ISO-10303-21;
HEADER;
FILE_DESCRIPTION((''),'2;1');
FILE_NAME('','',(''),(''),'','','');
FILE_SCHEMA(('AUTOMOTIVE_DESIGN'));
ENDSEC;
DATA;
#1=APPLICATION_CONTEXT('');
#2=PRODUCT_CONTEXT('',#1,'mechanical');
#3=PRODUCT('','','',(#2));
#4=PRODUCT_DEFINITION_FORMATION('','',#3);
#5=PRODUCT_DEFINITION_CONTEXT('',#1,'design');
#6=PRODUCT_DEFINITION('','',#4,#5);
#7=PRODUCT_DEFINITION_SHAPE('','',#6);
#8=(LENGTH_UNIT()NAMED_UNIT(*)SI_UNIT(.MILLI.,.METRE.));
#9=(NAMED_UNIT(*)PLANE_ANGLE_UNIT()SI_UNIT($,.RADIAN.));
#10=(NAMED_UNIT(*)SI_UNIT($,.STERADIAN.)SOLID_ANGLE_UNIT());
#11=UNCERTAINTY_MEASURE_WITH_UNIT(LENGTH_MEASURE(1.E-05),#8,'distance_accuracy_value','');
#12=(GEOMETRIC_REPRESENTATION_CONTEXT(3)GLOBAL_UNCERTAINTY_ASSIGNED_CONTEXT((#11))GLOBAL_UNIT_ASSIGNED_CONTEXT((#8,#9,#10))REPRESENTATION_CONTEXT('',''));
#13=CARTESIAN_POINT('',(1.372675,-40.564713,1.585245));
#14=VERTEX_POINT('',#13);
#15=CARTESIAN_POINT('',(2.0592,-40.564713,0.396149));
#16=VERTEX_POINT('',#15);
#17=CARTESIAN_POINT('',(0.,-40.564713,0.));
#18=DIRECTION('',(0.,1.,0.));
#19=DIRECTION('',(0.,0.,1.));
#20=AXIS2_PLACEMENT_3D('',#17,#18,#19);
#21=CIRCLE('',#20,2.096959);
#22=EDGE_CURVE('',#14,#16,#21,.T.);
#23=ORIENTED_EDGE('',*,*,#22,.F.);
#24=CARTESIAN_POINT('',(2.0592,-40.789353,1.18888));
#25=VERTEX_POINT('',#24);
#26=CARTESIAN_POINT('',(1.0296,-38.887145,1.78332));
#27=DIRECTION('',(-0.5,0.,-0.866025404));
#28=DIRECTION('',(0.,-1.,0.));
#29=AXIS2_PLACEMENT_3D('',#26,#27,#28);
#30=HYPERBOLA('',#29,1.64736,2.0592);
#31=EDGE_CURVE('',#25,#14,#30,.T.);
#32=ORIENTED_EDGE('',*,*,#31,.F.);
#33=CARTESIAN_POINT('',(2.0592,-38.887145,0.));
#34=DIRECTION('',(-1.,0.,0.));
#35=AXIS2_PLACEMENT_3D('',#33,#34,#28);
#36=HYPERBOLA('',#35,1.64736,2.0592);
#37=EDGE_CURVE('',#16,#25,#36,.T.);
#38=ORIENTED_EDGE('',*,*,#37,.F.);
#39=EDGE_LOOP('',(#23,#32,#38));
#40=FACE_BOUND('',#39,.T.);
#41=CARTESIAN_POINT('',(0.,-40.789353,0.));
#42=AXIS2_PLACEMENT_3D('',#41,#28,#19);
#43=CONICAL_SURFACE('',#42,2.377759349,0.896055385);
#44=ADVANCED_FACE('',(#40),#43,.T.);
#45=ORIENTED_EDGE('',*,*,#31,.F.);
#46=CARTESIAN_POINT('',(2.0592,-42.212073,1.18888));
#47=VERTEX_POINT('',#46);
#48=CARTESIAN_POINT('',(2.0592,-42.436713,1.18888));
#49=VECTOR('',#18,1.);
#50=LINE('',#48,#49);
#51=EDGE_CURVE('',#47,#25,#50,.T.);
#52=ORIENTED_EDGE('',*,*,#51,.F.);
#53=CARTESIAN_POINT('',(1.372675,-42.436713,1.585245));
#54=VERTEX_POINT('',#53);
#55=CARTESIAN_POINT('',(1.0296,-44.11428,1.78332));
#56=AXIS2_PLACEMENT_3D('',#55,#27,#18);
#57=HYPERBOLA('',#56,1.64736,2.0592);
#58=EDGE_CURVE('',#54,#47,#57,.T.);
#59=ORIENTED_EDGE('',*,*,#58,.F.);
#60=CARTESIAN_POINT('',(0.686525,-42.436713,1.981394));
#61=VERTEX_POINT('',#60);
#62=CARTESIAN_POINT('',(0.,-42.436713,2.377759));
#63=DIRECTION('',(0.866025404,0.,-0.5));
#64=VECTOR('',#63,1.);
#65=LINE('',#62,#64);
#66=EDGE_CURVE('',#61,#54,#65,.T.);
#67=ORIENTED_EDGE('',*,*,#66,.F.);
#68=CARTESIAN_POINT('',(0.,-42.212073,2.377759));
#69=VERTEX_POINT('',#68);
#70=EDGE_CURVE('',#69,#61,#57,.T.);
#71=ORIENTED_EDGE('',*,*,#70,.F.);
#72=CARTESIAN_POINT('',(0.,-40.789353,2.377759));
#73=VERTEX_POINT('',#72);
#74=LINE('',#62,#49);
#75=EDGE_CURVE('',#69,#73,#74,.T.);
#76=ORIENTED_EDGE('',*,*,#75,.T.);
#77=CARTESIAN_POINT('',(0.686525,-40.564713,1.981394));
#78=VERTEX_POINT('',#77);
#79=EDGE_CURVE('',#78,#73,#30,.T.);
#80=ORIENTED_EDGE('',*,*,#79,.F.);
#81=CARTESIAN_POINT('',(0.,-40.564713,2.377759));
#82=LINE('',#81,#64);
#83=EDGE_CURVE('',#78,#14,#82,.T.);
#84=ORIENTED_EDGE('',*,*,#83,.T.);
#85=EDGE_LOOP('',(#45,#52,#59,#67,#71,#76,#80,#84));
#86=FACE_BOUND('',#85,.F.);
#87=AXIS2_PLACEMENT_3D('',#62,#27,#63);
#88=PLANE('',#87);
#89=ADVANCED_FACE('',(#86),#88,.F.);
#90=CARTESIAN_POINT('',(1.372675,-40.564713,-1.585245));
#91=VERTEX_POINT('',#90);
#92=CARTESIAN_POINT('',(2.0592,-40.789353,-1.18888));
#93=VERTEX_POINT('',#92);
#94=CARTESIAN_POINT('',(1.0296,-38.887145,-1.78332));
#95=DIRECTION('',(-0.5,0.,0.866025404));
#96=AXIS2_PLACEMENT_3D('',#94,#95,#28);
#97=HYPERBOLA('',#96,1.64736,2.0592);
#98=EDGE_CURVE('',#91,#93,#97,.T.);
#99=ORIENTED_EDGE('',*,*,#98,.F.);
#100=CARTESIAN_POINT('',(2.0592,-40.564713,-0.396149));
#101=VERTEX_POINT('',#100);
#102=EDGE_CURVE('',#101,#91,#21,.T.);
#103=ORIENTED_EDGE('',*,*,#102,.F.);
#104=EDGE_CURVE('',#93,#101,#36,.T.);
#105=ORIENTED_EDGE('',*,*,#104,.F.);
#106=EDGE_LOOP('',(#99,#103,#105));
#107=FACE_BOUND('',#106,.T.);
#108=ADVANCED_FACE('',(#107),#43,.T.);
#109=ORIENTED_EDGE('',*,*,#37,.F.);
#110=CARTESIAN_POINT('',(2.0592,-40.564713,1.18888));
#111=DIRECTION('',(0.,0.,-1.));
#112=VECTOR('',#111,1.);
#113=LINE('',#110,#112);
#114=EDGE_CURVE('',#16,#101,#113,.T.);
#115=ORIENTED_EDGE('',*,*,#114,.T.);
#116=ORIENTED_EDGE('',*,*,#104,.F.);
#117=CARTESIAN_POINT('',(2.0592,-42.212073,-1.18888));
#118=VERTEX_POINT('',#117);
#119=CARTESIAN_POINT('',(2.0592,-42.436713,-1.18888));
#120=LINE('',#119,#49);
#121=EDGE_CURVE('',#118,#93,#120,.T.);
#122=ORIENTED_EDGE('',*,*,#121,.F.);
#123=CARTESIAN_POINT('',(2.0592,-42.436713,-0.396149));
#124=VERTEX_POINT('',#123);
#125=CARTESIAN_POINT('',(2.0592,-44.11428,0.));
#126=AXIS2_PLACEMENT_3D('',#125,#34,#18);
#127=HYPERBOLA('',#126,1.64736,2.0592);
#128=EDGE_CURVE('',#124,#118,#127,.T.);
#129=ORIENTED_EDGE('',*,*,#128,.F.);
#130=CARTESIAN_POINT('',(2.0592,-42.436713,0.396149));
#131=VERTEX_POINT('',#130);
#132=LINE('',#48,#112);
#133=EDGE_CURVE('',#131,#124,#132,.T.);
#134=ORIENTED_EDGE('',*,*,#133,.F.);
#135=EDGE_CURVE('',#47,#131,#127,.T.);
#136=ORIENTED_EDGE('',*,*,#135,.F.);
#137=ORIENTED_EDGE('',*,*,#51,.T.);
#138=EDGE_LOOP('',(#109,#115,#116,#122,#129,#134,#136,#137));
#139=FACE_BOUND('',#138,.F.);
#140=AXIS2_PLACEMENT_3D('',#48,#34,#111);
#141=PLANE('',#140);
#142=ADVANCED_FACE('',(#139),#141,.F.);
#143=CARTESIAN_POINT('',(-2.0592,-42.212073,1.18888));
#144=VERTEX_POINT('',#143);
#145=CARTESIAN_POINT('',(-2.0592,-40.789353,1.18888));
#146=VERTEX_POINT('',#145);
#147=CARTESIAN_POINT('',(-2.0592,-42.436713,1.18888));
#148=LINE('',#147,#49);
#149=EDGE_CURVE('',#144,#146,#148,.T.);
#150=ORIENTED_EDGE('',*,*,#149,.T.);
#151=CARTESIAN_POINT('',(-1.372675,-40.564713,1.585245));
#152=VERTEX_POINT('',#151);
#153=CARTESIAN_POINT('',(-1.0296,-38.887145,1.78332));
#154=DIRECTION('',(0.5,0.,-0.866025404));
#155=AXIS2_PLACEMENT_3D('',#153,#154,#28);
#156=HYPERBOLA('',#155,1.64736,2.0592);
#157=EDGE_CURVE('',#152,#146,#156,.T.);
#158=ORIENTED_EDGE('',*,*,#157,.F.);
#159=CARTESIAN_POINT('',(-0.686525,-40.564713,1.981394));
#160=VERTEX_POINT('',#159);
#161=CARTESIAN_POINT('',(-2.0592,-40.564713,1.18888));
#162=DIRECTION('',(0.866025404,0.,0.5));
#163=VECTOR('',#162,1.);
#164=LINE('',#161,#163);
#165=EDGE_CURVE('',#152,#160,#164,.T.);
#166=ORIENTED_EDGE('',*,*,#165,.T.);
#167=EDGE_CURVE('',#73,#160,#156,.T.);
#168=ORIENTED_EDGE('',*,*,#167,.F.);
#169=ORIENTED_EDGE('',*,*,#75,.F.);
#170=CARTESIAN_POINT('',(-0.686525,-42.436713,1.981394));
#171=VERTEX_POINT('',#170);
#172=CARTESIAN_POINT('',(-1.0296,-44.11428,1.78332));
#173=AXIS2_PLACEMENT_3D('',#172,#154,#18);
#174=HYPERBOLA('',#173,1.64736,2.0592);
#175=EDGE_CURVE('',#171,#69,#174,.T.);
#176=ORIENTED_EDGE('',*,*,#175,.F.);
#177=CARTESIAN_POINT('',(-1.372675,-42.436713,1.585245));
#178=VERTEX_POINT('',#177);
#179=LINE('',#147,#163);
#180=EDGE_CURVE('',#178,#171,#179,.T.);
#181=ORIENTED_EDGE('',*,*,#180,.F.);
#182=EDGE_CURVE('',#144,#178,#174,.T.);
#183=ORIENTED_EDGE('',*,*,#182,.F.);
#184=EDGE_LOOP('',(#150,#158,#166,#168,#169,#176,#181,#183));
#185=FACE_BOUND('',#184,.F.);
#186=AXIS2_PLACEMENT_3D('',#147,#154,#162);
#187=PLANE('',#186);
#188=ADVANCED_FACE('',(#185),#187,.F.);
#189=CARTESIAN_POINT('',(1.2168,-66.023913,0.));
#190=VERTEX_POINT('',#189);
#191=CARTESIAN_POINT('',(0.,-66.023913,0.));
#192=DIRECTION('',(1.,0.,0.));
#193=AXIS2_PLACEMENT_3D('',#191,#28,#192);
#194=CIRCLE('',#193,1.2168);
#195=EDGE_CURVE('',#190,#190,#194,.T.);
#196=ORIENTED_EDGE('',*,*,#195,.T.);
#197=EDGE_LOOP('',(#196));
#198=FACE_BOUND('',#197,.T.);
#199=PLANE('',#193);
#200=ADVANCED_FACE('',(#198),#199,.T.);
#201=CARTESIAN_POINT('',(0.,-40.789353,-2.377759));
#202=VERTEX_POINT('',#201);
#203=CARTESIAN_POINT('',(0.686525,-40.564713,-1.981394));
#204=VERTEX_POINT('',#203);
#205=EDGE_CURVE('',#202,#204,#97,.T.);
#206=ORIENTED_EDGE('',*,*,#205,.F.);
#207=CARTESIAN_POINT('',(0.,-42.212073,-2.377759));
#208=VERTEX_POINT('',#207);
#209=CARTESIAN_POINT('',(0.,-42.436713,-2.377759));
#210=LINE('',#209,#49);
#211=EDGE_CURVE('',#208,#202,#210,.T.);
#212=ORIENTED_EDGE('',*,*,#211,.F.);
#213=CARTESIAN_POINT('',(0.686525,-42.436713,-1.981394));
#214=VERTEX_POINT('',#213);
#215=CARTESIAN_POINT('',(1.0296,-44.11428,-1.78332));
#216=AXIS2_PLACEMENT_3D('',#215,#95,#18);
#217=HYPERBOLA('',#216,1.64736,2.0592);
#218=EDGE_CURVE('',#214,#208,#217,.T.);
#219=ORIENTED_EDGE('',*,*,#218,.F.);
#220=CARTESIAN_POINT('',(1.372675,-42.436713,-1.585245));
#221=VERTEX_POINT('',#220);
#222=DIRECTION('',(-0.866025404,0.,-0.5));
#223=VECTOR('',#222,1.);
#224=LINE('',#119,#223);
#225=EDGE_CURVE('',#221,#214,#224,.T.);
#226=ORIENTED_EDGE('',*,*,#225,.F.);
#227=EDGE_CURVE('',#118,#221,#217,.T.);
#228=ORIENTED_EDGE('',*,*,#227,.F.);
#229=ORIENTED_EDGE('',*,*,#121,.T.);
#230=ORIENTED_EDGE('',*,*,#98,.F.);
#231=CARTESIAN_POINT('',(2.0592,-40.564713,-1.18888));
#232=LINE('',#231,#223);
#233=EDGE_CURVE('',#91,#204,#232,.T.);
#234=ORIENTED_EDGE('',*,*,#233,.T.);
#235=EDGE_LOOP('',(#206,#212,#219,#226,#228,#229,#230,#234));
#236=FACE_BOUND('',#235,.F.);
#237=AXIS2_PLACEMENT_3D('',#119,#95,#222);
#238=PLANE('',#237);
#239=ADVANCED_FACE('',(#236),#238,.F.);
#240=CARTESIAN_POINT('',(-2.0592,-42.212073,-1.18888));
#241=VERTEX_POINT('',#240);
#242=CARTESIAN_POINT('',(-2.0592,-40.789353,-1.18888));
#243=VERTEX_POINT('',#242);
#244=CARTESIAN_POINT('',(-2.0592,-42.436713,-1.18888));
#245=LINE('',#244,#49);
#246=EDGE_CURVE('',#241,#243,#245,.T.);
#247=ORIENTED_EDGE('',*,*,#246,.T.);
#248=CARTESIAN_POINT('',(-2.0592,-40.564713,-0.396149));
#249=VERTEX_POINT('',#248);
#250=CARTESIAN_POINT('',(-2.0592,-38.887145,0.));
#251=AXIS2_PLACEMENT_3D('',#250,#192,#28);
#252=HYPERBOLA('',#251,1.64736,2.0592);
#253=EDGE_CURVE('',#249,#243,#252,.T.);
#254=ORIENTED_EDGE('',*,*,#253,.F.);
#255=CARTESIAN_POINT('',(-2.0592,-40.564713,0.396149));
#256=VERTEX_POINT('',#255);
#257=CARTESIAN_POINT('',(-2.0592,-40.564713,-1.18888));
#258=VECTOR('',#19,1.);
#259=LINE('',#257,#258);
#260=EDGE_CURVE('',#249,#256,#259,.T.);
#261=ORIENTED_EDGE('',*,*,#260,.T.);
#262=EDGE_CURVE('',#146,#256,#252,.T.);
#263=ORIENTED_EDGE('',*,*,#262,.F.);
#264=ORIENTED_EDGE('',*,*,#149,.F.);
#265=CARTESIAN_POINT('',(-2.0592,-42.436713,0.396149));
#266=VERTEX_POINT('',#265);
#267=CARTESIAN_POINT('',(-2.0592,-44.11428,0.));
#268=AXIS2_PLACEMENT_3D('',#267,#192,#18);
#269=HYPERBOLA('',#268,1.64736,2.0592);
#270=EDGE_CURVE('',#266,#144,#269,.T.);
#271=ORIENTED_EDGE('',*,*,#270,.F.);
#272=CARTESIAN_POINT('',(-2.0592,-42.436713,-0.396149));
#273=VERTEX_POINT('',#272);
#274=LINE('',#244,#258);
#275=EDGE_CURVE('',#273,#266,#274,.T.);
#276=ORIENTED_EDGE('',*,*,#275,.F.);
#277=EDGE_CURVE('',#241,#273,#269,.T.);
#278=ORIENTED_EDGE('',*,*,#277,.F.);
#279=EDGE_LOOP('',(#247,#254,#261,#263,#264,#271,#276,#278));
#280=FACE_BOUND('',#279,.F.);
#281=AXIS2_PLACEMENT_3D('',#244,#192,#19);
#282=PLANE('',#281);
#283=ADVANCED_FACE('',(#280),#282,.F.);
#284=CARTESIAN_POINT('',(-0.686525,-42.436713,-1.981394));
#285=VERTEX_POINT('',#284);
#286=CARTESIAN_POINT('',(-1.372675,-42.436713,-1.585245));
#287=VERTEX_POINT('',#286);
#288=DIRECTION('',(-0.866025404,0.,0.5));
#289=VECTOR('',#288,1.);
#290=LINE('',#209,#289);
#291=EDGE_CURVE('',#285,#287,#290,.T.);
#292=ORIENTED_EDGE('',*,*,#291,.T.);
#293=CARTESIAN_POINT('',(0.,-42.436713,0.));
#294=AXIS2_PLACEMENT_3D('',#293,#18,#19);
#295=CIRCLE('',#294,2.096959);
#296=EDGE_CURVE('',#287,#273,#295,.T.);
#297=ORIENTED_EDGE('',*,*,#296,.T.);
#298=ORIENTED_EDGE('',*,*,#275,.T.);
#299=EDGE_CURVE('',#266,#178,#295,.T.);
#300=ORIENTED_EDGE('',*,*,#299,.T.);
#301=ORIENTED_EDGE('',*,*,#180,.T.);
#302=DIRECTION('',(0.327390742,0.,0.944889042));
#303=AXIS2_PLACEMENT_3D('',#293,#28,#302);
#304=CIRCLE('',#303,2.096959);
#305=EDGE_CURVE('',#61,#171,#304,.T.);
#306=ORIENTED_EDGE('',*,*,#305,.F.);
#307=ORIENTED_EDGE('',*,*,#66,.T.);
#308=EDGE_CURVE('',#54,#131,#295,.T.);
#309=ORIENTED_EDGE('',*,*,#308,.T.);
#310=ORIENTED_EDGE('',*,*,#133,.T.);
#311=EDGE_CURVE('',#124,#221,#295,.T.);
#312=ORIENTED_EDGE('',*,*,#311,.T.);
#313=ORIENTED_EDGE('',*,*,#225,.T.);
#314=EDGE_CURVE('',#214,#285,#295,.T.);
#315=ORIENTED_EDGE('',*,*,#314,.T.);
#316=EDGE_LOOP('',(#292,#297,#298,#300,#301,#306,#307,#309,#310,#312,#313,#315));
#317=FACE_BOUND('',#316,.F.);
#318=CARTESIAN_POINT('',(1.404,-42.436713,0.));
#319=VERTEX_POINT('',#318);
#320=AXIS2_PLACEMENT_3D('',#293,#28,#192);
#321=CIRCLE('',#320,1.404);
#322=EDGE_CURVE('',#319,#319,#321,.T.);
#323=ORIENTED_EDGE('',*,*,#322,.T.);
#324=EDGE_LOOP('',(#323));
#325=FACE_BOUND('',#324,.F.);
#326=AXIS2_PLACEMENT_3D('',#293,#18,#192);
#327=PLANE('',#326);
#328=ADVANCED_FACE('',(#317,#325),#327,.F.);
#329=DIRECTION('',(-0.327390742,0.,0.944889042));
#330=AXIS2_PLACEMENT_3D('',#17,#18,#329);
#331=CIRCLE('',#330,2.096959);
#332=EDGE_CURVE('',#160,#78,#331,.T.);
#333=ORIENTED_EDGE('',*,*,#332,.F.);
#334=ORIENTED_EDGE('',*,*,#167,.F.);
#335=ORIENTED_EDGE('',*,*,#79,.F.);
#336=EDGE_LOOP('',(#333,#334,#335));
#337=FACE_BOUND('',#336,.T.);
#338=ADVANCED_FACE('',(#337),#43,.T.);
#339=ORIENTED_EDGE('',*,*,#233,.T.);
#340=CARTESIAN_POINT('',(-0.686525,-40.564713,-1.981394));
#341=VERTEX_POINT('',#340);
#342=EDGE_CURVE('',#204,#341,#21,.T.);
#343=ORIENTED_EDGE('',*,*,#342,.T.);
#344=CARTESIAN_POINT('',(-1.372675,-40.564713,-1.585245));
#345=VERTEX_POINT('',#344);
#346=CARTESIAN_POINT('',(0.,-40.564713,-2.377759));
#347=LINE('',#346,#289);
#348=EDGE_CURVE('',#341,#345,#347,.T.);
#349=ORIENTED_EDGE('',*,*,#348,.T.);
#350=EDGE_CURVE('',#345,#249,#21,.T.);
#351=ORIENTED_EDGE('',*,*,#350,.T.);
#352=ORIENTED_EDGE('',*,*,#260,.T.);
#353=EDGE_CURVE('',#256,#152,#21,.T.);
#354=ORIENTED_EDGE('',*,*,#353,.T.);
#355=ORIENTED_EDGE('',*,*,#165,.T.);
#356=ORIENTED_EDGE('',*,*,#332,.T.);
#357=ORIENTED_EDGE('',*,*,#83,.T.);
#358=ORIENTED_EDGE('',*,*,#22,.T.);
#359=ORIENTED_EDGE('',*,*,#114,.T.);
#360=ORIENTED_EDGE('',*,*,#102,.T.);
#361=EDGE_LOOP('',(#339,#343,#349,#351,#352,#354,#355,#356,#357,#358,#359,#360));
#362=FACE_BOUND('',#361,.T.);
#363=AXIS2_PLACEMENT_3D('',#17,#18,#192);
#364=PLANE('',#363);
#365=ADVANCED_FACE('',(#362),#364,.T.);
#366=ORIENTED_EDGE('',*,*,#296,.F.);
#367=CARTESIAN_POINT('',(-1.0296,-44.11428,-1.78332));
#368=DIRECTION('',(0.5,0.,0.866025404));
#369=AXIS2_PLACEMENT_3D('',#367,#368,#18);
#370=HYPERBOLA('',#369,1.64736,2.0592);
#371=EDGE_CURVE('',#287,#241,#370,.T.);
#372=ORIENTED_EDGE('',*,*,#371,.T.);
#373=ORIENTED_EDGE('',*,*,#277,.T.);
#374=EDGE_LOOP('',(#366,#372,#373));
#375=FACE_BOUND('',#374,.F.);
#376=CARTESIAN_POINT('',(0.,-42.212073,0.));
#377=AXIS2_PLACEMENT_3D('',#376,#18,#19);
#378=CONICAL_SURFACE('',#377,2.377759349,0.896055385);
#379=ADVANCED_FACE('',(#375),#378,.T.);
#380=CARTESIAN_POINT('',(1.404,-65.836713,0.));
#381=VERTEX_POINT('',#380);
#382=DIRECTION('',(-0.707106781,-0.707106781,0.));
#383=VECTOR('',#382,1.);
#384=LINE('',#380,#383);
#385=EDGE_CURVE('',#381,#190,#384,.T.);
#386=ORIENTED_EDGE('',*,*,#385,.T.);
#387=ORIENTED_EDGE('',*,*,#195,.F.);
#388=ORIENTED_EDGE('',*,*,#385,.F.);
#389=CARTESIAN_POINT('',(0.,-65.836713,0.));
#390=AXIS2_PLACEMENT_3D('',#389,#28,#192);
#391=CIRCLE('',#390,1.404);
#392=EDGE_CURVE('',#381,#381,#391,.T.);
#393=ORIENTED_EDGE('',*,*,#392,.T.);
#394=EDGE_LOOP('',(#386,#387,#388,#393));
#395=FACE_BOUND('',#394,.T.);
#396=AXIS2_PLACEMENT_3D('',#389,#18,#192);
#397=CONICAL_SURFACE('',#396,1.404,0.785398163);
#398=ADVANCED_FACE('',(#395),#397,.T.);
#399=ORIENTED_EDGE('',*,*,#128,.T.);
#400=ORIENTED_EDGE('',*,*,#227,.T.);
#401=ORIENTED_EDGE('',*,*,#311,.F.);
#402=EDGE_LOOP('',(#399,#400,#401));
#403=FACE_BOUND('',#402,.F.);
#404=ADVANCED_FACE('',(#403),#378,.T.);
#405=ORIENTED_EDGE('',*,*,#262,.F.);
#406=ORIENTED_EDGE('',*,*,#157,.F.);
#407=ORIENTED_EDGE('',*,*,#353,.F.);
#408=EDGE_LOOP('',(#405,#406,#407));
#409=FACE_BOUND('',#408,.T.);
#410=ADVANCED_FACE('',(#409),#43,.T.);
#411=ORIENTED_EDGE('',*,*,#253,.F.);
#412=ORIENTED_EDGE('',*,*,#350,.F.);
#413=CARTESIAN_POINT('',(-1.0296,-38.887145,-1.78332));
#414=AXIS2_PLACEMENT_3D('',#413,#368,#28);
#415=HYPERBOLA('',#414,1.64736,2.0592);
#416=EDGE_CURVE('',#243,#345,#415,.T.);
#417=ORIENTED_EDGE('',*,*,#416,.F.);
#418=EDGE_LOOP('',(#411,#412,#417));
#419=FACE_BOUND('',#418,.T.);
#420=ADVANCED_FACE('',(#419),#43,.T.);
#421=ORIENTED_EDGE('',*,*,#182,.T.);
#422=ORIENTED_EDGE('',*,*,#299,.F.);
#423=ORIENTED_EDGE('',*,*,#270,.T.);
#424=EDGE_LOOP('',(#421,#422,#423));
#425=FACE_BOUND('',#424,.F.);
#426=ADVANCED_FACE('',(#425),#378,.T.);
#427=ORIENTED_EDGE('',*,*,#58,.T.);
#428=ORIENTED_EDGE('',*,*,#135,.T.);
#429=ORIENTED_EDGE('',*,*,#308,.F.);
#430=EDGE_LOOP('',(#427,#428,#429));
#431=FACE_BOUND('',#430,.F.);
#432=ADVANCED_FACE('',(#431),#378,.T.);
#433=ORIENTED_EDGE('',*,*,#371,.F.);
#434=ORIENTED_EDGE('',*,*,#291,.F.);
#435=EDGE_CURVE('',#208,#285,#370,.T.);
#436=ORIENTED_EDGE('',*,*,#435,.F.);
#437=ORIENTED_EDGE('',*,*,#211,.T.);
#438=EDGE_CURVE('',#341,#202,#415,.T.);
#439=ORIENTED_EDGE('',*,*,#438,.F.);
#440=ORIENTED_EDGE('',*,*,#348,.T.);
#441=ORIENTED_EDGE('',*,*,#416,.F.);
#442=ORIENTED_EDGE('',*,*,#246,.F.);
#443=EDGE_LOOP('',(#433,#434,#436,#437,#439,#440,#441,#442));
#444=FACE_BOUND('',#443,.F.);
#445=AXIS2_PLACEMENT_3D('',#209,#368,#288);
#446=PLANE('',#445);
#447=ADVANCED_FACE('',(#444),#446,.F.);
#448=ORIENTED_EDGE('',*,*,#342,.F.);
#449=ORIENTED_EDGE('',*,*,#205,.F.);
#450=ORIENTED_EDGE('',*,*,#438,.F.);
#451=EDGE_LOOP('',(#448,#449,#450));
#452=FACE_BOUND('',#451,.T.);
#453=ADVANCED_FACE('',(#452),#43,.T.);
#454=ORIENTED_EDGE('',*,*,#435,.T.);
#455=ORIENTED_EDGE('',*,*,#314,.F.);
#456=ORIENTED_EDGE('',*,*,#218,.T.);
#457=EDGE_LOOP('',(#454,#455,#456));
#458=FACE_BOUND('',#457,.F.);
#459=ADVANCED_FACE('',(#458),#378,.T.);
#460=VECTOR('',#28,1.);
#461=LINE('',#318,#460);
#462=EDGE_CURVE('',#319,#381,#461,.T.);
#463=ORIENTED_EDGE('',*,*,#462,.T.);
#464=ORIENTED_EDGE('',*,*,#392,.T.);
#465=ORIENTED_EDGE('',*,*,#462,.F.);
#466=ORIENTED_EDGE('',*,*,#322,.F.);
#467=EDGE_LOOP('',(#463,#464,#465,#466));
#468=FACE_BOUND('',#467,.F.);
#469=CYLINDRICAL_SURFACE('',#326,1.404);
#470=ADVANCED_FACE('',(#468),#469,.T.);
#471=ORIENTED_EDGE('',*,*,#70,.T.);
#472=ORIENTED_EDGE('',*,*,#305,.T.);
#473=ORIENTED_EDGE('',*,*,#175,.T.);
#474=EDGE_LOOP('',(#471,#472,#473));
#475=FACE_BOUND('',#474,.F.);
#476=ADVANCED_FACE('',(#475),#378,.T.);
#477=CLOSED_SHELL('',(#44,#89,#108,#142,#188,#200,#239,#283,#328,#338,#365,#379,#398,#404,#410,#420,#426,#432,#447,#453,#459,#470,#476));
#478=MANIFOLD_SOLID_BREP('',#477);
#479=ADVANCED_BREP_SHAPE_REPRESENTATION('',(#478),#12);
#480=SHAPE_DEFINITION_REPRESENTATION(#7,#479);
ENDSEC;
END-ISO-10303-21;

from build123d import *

# Parameters (mm, degrees)
BOSS_EXTRUDE1_DEPTH = 10
SKETCH2_R           = 7.5
BOSS_EXTRUDE2_DEPTH = 126
CHAMFER1_SIZE       = 1
SCALE1_SCALE        = 0.18
SCALE2_SCALE        = 1.04


with BuildPart() as part:
    # Sketch1 → Boss-Extrude1 (new body)
    with BuildSketch(Plane(origin=(0, 0, 0), x_dir=(1, 0, 0), z_dir=(0, 1, 0))):
        Polygon((0, 12.701705922), (-11, 6.350852961), (-11, -6.350852961), (0, -12.701705922), (11, -6.350852961), (11, 6.350852961), align=None)
    extrude(amount=BOSS_EXTRUDE1_DEPTH)

    # Sketch2 → Boss-Extrude2 (add)
    with BuildSketch(Plane.XZ):
        Circle(SKETCH2_R)
    extrude(amount=BOSS_EXTRUDE2_DEPTH)

    # Chamfer1
    chamfer1_edges = [part.edges().sort_by_distance(p)[0] for p in [
        (-7.5, -126, 0),
    ]]
    chamfer(chamfer1_edges, length=CHAMFER1_SIZE)

    # Sketch4 → Cut-Revolve2 (revolve, cut)
    with BuildSketch(Plane(origin=(0, 0, 0), x_dir=(0, 0, -1), z_dir=(1, 0, 0))):
        Polygon((-12.701705922, 10), (-12.701705922, 8.8), (-11.201705922, 10), align=None)
        Polygon((-12.701705922, 0), (-12.701705922, 1.2), (-11.201705922, 0), align=None)
    revolve(axis=Axis((0, 0, 0), (0, 1, 0)), mode=Mode.SUBTRACT)


with BuildPart() as part_1:
    # Scale1: scaled about (0, -52.210522466, 0)
    add(part.part.scale(SCALE1_SCALE).moved(Location((0, -42.812628422, 0))))


with BuildPart() as part_2:
    # Scale2: scaled about (0, -52.210522466, 0)
    add(part_1.part.scale(SCALE2_SCALE).moved(Location((0, 2.088420899, 0))))


solid = part_2.part
